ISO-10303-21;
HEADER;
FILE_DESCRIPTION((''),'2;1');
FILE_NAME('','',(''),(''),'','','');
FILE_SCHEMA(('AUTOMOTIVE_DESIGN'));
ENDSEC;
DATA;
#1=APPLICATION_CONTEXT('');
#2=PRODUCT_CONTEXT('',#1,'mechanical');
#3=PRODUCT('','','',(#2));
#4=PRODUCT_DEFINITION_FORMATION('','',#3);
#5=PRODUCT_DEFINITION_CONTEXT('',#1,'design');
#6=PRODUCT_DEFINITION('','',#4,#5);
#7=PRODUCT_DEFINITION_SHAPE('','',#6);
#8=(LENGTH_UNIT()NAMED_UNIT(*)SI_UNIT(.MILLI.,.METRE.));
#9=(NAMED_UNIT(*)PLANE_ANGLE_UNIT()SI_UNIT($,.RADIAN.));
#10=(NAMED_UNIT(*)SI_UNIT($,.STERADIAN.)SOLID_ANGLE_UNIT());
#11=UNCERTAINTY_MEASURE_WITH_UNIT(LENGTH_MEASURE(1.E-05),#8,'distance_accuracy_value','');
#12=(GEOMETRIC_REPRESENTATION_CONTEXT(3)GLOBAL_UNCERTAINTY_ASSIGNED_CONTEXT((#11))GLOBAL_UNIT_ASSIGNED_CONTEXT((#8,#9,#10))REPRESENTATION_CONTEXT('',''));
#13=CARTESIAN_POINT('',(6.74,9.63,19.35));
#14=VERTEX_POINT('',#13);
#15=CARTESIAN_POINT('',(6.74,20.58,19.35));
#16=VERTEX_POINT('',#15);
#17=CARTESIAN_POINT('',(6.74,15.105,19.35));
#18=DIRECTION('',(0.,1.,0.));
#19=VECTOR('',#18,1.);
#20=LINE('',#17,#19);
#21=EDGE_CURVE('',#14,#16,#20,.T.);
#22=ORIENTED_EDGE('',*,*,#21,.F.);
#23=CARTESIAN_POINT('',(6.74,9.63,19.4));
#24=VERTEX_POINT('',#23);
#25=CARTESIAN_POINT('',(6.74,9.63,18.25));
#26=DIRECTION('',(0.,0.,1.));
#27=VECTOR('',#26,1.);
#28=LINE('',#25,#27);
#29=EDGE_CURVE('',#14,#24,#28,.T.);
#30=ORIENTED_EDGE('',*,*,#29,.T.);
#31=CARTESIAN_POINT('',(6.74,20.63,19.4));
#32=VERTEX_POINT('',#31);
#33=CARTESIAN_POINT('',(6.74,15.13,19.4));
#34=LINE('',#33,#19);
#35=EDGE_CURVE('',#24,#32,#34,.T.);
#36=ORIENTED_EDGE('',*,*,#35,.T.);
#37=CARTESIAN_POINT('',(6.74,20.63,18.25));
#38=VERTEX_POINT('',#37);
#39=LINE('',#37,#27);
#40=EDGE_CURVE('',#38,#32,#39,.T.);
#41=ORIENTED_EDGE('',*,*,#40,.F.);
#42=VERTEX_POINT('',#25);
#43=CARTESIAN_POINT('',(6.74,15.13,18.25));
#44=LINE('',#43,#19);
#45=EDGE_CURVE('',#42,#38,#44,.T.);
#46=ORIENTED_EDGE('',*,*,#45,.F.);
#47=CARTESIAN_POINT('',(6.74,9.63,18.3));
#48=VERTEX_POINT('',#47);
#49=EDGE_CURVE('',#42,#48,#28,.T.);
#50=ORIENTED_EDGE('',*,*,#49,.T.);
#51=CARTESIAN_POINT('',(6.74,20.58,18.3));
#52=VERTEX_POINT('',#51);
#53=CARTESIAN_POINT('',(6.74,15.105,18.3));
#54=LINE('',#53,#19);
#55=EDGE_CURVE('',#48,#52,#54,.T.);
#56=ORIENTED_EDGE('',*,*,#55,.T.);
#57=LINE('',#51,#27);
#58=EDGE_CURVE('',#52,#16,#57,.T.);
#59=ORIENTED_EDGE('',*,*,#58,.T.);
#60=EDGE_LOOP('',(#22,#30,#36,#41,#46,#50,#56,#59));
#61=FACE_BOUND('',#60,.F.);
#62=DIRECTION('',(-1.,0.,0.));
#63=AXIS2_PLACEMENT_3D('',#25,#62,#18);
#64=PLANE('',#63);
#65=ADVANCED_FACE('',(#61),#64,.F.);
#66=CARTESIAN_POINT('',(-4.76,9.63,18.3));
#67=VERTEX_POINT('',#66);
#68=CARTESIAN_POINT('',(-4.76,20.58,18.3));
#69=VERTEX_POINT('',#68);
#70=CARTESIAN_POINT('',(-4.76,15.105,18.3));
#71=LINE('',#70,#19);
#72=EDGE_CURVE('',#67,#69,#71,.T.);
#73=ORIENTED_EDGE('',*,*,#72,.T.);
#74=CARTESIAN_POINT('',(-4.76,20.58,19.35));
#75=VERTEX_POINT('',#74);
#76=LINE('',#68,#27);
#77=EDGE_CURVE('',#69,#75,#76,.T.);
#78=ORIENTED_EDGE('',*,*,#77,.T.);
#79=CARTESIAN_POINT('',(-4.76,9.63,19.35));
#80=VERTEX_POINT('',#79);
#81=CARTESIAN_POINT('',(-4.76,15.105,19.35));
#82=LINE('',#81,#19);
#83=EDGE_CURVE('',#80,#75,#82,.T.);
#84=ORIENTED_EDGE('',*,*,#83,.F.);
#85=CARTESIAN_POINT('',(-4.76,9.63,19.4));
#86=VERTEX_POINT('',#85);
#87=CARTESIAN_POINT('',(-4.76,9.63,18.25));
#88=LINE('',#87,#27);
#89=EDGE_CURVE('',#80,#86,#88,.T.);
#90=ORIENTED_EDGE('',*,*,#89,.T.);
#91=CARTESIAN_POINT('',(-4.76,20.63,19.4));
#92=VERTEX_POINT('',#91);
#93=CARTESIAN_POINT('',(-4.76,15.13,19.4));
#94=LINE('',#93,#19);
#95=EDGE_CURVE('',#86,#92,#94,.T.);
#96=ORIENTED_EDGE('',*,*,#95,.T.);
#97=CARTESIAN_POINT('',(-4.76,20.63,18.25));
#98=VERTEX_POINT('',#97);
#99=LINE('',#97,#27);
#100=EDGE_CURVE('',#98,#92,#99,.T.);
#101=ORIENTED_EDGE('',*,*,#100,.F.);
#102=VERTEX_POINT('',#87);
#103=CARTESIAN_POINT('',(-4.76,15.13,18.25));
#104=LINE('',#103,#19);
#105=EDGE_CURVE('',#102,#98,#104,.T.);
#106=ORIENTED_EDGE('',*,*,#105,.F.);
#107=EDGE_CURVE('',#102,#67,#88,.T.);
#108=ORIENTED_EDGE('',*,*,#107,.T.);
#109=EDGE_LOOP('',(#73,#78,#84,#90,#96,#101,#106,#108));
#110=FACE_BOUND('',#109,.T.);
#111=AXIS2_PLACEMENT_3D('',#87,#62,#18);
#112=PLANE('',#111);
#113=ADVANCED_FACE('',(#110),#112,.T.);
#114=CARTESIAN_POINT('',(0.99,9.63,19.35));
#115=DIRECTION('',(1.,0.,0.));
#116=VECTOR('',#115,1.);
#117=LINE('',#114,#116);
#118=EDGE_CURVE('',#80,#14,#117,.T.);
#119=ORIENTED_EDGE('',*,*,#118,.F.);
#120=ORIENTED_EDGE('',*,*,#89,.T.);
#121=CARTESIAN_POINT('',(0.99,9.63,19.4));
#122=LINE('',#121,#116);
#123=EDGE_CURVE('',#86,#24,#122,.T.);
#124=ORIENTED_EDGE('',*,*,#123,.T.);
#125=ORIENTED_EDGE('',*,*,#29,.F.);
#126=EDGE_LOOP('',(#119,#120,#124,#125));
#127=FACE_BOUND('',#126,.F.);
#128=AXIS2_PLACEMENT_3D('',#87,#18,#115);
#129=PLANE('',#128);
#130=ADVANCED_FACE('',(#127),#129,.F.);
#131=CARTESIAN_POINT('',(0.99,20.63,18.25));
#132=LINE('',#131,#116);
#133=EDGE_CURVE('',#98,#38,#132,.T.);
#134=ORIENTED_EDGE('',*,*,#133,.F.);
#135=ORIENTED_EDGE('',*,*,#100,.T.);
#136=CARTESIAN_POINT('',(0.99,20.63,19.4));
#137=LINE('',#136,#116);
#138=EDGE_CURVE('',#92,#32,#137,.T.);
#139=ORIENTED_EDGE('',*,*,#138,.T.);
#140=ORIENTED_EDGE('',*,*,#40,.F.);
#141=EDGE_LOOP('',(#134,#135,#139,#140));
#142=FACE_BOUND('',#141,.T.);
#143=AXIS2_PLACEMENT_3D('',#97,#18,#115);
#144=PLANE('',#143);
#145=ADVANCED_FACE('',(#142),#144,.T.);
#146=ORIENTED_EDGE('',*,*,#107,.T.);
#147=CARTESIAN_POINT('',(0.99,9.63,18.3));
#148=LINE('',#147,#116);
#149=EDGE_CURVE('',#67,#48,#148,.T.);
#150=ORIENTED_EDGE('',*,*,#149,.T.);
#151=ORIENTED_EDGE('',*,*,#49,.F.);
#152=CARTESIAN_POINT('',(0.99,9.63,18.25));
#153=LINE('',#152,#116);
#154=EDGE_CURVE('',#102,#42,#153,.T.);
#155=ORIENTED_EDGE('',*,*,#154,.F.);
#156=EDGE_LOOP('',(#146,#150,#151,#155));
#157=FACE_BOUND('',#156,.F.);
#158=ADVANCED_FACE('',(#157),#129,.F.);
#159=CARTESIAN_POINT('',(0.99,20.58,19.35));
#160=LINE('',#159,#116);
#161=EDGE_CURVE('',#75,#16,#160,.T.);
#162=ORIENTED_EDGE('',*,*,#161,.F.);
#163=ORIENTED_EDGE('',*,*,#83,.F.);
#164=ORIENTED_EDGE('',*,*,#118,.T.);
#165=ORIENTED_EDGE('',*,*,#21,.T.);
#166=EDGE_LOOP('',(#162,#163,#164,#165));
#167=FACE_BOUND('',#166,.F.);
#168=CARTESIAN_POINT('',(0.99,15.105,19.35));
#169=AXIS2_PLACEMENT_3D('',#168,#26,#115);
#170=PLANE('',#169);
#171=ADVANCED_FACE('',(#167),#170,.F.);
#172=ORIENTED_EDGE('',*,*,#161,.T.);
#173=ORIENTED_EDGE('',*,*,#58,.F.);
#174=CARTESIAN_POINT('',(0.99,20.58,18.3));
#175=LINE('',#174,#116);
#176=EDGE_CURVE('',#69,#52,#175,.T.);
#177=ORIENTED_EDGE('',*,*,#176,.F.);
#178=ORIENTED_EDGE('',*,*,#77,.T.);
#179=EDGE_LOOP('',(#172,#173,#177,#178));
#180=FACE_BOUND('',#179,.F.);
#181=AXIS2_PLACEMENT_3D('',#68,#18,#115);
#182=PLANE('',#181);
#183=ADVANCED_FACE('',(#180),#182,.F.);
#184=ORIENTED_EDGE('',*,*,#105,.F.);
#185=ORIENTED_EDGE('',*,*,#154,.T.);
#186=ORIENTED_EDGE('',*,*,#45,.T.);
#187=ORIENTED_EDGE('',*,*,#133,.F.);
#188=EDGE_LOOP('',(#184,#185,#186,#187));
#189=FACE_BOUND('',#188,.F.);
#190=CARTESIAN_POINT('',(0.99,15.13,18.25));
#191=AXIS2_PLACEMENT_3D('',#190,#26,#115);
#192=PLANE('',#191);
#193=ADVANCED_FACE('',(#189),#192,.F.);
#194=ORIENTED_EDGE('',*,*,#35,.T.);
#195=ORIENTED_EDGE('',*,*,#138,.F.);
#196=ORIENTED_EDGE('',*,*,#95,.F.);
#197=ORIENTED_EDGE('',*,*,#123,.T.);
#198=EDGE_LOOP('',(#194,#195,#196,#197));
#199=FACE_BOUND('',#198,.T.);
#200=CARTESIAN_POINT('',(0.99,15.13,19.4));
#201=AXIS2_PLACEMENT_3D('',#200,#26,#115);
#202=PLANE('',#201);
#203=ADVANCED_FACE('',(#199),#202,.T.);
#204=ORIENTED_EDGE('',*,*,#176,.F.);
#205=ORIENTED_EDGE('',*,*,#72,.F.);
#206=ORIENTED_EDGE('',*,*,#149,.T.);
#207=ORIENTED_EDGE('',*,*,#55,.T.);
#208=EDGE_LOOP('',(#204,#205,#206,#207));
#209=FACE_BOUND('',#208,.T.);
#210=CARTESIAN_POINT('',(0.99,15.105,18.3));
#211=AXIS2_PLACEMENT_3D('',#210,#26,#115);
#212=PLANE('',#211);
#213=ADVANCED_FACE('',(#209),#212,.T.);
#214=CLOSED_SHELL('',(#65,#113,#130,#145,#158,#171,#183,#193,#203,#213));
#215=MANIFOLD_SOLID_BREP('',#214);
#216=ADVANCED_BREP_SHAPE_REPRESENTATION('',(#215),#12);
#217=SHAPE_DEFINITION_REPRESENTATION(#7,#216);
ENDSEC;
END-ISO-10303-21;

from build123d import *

# Parameters (mm, degrees)
BOX065_W     = 11.5
BOX065_H     = 10.95
BOX065_DEPTH = 1.05
BOX064_W     = 11.5
BOX064_H     = 11
BOX064_DEPTH = 1.15


with BuildPart() as small_cu_gnd_electrode016:
    # Box065 → Box065 (new body)
    with BuildSketch(Plane.XY.offset(0.05)):
        with Locations((5.75, 5.475)):
            Rectangle(BOX065_W, BOX065_H)
    extrude(amount=BOX065_DEPTH)


with BuildPart() as large_cu_electrode_short_axis_gnd:
    # Box064 → Box064 (new body)
    with BuildSketch(Plane.XY):
        with Locations((5.75, 5.5)):
            Rectangle(BOX064_W, BOX064_H)
    extrude(amount=BOX064_DEPTH)

    # Cut015: cut Small Cu GND Electrode016
    add(small_cu_gnd_electrode016.part, mode=Mode.SUBTRACT)


with BuildPart() as large_cu_electrode_short_axis_gnd_1:
    # Cut015 placement: moved
    add(large_cu_electrode_short_axis_gnd.part.moved(Location((-4.76, 9.63, 18.25))))


solid = large_cu_electrode_short_axis_gnd_1.part
